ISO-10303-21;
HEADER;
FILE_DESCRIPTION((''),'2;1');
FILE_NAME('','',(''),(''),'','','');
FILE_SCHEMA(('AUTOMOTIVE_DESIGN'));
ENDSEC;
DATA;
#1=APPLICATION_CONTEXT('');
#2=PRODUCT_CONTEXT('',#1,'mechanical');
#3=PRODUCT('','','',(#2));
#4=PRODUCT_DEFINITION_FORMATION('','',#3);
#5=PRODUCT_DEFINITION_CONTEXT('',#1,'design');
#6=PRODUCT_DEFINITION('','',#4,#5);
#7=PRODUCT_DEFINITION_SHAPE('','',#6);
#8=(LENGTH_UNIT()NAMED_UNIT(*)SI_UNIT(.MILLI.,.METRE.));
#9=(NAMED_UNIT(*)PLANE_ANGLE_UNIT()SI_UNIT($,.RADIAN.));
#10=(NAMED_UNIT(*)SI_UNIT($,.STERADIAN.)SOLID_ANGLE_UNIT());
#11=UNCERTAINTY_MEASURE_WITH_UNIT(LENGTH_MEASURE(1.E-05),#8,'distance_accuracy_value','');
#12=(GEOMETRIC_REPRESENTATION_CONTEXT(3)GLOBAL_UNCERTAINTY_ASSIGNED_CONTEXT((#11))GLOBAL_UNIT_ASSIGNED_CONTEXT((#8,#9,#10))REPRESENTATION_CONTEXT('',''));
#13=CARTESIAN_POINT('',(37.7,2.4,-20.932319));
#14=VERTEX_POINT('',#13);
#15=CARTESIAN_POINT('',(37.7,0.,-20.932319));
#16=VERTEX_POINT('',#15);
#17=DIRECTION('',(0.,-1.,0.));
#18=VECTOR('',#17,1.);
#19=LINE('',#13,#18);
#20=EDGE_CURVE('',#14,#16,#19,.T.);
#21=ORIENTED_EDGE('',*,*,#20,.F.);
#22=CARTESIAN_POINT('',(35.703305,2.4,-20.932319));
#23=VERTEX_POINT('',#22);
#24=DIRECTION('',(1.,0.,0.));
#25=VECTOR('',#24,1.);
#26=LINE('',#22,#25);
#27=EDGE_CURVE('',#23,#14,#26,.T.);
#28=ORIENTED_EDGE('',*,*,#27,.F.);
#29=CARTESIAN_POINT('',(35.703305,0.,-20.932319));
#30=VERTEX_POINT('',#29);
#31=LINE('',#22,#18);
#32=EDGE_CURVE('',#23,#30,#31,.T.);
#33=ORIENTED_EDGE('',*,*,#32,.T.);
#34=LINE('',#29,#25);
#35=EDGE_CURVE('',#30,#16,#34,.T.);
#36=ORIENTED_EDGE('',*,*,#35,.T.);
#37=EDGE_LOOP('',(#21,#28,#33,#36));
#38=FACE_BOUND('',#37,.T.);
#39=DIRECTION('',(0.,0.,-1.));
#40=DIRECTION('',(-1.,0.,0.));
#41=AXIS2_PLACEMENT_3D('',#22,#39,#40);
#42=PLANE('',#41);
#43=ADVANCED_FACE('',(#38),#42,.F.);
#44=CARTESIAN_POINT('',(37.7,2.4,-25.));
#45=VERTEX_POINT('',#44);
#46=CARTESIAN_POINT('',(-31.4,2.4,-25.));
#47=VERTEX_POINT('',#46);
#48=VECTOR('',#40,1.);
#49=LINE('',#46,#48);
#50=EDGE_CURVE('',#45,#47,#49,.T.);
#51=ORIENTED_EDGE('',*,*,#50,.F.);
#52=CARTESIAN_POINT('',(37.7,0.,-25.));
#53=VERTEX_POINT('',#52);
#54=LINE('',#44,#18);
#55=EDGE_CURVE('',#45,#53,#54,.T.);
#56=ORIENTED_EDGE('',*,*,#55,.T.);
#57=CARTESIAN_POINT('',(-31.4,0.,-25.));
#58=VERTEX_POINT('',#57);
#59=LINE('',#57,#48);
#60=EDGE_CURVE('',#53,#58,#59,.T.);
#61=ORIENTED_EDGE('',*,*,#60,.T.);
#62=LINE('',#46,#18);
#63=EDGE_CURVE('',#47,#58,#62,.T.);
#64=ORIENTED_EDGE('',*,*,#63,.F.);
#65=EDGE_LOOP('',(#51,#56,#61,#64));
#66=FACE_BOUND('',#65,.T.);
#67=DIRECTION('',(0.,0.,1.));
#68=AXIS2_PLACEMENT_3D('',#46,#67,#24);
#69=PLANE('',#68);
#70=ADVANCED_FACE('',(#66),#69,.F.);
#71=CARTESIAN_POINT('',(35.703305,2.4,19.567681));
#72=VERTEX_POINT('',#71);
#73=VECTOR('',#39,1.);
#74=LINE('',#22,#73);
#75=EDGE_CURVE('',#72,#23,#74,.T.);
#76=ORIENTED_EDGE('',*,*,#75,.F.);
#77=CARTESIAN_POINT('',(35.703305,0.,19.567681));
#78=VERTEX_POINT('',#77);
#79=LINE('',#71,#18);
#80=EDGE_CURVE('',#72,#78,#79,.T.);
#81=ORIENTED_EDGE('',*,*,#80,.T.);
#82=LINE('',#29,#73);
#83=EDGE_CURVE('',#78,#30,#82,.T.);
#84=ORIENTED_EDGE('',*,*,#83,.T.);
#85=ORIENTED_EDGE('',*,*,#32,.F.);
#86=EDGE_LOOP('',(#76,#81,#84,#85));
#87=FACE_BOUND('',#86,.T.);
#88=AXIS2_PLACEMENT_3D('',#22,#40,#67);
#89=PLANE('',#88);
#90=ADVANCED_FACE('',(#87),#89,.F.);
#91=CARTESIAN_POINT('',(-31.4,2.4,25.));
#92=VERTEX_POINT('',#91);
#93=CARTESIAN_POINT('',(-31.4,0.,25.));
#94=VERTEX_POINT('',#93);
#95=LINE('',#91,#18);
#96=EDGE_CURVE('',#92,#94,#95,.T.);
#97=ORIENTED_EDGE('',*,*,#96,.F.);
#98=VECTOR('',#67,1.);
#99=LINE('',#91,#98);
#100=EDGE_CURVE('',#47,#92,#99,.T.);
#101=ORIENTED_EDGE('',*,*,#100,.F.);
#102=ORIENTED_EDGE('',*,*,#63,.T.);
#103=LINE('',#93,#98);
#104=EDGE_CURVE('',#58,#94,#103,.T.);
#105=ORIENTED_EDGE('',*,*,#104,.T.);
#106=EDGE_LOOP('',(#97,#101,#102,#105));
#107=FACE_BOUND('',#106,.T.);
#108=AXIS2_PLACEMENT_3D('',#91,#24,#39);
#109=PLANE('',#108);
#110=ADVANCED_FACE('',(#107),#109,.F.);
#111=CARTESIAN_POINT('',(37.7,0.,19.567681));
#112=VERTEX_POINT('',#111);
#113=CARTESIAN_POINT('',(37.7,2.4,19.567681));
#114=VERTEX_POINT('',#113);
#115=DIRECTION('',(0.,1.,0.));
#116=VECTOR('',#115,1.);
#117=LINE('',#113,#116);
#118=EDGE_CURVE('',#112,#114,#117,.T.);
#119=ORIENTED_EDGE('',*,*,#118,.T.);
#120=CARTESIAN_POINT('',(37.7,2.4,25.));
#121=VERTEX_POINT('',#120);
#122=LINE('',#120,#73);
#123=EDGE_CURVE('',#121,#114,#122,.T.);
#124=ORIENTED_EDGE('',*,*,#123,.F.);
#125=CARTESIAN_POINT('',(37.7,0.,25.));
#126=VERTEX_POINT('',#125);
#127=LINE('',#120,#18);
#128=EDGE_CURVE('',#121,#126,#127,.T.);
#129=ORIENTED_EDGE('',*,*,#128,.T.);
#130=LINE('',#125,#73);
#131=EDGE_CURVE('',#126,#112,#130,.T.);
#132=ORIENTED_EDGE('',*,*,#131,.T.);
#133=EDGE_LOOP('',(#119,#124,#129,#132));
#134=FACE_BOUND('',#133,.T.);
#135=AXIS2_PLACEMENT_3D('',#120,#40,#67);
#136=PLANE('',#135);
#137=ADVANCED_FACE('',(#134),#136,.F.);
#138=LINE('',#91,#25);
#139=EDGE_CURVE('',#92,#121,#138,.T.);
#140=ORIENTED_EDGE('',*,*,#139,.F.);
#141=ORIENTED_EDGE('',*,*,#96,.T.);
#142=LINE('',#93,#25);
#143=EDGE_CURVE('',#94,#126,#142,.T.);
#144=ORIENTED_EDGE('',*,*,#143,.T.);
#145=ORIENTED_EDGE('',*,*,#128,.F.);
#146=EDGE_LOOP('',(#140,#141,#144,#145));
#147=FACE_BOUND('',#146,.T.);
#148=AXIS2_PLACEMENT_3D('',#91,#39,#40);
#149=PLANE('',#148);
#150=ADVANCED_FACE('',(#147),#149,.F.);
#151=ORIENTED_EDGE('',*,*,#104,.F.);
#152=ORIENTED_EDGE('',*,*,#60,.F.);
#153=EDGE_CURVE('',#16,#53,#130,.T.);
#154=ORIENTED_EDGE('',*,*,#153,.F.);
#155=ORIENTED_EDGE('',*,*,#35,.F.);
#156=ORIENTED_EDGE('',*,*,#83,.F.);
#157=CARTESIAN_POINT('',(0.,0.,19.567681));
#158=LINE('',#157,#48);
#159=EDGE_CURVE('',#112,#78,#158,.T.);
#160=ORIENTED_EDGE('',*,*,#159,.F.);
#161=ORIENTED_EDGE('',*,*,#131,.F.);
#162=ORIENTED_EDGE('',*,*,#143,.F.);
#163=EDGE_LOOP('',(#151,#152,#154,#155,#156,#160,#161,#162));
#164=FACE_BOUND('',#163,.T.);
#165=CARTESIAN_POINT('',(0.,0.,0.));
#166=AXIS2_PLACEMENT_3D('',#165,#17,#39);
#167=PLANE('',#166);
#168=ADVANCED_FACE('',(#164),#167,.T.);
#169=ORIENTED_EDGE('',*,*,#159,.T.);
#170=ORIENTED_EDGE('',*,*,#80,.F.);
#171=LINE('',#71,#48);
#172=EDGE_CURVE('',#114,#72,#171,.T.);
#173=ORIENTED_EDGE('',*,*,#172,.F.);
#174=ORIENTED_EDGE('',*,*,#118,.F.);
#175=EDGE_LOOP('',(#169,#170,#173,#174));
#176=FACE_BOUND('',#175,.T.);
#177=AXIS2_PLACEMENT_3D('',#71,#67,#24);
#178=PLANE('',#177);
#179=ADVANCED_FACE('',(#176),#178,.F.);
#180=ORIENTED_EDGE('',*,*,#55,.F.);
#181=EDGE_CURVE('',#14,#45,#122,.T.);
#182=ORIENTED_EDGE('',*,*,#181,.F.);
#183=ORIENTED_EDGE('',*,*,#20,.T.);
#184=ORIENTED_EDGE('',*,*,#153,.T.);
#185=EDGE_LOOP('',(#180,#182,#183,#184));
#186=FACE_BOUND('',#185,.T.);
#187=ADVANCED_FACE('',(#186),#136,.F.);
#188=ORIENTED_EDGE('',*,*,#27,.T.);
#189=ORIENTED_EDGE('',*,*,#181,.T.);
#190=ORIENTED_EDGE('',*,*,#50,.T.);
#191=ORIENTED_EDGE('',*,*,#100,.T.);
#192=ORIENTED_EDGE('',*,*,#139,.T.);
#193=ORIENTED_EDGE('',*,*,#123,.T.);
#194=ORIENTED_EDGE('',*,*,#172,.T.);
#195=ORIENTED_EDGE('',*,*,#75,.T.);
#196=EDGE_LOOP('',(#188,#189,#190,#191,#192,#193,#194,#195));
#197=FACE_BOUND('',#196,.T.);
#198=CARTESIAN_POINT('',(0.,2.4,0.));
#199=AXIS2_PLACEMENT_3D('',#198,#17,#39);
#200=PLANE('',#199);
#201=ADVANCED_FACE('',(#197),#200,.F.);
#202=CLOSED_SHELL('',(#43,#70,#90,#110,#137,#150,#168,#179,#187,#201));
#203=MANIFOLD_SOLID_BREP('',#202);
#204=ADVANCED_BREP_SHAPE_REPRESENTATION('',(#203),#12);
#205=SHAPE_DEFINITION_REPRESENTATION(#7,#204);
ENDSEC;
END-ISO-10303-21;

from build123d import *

# Parameters (mm, degrees)
SKETCH_1_W          = 69.1
SKETCH_1_H          = 50
EXTRUDE_1_DEPTH     = 2.4
SKETCH_2_W          = 3.99338924
SKETCH_2_H          = 40.5
CUT_EXTRUDE_1_DEPTH = 2.4


with BuildPart() as part:
    # 草图1 → 凸台-拉伸1 (new body)
    with BuildSketch(Plane(origin=(0, 0, 0), x_dir=(1, 0, 0), z_dir=(0, 1, 0))):
        with Locations((3.15, 0)):
            Rectangle(SKETCH_1_W, SKETCH_1_H)
    extrude(amount=EXTRUDE_1_DEPTH)

    # 草图2 → 切除-拉伸1 (cut)
    with BuildSketch(Plane.XZ):
        with Locations((37.7, -0.682318686)):
            Rectangle(SKETCH_2_W, SKETCH_2_H)
    extrude(amount=-CUT_EXTRUDE_1_DEPTH, mode=Mode.SUBTRACT)


solid = part.part
